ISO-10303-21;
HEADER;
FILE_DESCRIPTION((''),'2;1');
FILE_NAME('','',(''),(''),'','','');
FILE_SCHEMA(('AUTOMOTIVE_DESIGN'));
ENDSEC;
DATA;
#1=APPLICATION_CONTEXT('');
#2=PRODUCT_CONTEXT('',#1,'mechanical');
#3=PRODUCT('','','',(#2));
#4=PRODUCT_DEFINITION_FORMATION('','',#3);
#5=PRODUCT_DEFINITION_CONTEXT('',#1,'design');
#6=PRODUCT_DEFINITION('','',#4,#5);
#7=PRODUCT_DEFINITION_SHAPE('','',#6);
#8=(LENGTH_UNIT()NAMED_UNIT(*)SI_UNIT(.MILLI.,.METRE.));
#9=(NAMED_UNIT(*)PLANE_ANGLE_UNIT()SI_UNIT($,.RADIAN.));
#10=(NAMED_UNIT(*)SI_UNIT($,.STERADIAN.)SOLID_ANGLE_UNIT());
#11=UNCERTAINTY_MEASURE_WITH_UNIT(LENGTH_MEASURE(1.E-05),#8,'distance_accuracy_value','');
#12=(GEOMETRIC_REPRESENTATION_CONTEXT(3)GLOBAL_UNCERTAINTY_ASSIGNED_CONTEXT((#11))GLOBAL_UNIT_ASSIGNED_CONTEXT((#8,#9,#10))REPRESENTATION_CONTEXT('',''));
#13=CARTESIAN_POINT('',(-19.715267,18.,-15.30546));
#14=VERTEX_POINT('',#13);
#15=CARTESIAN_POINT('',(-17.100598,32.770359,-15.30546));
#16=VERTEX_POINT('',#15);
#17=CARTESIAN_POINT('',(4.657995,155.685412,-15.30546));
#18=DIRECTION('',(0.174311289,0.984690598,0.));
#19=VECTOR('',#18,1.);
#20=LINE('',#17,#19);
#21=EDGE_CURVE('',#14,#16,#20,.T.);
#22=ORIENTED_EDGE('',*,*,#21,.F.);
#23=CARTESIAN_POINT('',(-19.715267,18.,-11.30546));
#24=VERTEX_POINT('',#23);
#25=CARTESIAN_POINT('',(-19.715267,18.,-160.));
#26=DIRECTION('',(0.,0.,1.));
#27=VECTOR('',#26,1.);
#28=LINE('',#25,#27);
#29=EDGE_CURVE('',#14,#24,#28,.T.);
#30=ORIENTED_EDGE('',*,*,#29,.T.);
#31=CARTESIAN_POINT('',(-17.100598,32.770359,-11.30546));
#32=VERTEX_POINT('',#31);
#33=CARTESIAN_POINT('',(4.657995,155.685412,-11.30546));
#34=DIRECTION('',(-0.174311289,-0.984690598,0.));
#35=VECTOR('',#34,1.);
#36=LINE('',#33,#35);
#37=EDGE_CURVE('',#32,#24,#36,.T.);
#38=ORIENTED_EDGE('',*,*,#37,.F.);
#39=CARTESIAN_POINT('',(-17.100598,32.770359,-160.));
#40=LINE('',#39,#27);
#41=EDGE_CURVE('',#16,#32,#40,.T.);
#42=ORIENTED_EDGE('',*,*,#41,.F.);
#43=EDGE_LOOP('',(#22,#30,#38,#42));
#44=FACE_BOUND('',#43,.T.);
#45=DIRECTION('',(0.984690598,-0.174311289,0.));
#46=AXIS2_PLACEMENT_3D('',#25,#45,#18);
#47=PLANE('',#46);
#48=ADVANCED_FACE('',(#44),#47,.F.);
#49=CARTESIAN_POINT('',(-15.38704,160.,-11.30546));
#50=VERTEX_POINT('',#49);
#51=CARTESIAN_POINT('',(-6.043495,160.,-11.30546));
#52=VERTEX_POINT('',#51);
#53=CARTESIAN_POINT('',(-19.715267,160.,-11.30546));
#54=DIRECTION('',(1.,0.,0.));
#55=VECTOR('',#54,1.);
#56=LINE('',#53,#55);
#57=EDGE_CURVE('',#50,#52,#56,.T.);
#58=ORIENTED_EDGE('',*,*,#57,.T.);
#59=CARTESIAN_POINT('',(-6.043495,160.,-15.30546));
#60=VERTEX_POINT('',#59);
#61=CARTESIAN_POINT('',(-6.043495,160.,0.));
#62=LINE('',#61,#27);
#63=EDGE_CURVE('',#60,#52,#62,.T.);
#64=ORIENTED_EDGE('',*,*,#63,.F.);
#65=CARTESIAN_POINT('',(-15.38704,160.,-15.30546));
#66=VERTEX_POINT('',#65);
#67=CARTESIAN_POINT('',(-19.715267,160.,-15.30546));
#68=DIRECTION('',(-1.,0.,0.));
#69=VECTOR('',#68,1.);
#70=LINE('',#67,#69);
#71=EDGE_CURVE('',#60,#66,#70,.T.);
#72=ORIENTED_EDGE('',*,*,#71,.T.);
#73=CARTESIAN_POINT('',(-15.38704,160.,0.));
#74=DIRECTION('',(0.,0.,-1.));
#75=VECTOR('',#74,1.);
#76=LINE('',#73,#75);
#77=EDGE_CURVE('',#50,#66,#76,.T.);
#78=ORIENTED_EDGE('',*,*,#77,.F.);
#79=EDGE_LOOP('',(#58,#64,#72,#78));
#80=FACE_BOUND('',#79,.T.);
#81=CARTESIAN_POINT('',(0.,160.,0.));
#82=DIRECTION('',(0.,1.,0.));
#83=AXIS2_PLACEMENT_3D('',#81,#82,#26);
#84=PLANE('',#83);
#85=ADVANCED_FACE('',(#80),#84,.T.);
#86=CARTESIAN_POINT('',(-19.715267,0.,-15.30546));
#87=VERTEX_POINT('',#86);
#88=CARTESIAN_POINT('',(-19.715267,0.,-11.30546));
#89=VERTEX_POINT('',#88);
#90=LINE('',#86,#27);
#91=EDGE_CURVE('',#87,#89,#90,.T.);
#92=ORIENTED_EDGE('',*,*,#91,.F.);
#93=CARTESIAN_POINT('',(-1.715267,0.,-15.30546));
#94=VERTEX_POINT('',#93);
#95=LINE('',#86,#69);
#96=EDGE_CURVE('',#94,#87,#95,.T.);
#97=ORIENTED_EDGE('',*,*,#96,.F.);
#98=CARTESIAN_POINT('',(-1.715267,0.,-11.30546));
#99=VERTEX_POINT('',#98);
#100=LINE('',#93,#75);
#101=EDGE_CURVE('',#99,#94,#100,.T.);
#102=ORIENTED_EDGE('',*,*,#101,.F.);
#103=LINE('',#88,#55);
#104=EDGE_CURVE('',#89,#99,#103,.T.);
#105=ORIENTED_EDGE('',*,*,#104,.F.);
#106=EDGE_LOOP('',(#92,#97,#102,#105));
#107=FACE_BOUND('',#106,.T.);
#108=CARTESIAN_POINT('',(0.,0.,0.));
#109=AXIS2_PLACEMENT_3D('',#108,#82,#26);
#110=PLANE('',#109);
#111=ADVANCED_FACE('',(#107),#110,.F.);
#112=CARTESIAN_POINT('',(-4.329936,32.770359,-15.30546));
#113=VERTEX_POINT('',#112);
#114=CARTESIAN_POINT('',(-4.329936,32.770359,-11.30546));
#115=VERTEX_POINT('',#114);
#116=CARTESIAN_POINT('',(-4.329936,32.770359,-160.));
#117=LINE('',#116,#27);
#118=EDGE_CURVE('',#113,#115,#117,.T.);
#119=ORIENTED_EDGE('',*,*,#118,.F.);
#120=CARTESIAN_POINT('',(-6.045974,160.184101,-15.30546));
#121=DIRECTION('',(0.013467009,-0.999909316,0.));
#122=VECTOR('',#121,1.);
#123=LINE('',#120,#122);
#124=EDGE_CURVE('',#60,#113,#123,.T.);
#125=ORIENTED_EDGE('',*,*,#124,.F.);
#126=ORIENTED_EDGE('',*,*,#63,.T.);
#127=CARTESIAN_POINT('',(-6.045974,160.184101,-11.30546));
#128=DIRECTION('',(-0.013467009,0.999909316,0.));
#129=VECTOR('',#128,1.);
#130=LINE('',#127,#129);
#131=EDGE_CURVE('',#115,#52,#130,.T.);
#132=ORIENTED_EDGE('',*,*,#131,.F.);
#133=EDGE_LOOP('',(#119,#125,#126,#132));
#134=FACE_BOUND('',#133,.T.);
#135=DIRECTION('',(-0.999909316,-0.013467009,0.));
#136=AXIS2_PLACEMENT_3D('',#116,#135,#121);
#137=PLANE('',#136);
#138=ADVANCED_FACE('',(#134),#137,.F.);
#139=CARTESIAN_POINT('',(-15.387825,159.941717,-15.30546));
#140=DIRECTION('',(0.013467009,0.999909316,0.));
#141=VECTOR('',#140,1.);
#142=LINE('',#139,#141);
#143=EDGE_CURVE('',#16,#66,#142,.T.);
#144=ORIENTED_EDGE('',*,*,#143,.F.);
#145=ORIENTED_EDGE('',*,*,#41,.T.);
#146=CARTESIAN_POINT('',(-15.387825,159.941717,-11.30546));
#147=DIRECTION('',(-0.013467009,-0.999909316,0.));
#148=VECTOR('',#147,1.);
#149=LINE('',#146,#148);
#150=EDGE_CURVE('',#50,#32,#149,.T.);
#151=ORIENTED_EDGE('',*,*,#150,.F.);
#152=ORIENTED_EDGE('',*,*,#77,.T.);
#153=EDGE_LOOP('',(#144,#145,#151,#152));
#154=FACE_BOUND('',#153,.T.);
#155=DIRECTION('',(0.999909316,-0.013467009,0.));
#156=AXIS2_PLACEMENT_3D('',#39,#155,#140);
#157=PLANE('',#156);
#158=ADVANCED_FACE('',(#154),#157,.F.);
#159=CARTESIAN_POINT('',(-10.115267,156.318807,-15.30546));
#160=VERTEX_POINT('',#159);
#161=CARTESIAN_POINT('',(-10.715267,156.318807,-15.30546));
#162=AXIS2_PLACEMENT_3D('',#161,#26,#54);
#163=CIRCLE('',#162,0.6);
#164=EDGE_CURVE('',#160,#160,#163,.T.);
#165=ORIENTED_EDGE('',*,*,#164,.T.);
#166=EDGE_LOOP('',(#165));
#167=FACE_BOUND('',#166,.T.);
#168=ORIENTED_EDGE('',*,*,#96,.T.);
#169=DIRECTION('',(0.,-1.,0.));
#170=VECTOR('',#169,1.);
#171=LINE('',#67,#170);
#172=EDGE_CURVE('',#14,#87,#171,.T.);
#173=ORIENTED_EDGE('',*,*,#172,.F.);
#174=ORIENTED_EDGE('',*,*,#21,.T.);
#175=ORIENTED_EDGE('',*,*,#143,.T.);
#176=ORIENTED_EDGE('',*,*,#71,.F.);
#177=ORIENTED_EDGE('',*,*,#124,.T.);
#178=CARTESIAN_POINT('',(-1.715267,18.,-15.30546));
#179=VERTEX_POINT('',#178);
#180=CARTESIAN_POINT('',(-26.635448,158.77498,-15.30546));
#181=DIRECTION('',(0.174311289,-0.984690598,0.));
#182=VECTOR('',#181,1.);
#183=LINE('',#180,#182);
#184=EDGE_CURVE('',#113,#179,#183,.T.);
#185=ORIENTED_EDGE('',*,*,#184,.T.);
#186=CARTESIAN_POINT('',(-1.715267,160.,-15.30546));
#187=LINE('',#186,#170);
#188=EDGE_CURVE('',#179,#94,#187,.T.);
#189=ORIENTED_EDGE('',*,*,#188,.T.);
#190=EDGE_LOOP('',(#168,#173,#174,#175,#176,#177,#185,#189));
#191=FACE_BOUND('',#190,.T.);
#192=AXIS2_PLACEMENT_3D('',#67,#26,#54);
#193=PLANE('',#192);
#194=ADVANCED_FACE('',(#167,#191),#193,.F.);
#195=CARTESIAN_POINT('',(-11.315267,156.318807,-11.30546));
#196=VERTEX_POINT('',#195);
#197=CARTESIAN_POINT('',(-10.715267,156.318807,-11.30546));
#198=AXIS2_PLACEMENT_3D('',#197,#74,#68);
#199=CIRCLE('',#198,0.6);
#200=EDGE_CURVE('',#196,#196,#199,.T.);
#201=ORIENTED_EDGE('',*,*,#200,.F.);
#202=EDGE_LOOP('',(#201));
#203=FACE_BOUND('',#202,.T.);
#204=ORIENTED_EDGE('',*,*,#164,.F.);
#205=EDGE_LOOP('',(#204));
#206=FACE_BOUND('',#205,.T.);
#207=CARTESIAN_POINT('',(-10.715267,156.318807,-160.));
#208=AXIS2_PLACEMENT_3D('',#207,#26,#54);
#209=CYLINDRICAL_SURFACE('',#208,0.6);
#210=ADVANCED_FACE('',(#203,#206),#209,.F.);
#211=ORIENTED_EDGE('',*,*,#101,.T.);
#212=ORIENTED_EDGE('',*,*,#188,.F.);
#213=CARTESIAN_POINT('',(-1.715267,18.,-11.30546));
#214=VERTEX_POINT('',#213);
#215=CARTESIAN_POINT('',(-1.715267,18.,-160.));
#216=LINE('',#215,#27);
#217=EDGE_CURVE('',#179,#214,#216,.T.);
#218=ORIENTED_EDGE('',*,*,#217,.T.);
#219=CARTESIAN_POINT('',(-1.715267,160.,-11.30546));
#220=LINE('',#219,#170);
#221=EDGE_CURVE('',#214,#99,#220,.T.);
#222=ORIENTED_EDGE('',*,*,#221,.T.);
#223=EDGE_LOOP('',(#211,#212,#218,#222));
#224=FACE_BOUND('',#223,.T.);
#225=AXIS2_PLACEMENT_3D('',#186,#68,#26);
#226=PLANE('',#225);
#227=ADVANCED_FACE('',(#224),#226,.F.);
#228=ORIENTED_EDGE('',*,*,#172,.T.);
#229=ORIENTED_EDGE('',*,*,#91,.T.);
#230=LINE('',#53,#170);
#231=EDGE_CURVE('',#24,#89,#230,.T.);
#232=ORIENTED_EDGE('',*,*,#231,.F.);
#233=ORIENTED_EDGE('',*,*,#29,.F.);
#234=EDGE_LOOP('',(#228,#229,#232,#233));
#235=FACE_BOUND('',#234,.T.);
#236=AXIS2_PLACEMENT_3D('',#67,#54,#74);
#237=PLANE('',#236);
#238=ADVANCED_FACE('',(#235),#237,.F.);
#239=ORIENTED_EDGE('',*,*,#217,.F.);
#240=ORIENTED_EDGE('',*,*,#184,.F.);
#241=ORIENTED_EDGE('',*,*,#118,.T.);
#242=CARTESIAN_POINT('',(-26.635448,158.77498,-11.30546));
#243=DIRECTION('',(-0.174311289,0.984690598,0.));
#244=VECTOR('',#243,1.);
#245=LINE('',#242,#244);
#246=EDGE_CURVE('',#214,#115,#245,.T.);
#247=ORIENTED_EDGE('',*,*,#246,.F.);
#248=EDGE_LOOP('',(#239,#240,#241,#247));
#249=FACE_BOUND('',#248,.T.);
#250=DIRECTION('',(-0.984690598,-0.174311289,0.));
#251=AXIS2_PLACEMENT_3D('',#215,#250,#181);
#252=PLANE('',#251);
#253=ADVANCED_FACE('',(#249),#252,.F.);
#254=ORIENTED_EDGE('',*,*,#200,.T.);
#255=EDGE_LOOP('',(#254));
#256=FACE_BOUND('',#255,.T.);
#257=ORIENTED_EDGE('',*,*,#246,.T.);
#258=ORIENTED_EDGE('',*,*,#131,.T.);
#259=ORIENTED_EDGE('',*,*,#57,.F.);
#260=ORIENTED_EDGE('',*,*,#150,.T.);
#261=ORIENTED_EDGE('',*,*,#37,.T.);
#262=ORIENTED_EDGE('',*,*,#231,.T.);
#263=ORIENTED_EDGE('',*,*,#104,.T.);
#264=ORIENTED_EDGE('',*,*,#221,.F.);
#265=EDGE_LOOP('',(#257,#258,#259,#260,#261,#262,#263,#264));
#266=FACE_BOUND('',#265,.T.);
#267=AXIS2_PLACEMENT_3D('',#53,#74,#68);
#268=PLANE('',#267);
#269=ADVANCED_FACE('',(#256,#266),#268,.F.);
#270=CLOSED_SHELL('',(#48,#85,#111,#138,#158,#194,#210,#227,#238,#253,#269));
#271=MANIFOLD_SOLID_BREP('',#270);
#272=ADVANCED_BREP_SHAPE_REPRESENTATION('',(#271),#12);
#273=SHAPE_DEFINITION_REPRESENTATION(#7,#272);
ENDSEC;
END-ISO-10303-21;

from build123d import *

# Parameters (mm, degrees)
SKETCH1_W           = 18
SKETCH1_H           = 4
BOSS_EXTRUDE1_DEPTH = 160
CUT_EXTRUDE1_DEPTH  = 160
SKETCH4_R           = 0.6
CUT_EXTRUDE2_DEPTH  = 160


with BuildPart() as part:
    # Sketch1 → Boss-Extrude1 (new body)
    with BuildSketch(Plane(origin=(0, 0, 0), x_dir=(1, 0, 0), z_dir=(0, 1, 0))):
        with Locations((-10.71526709, 13.305460186)):
            Rectangle(SKETCH1_W, SKETCH1_H)
    extrude(amount=BOSS_EXTRUDE1_DEPTH)

    # Sketch2 → Cut-Extrude1 (cut)
    with BuildSketch(Plane.XY):
        Polygon((-19.71526709, 18), (-19.71526709, 160), (-15.387039625, 160), (-17.100597756, 32.770358976), align=None)
        Polygon((-4.329936424, 32.770358976), (-6.043494554, 160), (-1.71526709, 160), (-1.71526709, 18), align=None)
    extrude(amount=-CUT_EXTRUDE1_DEPTH, mode=Mode.SUBTRACT)

    # Sketch4 → Cut-Extrude2 (cut)
    with BuildSketch(Plane.XY):
        with Locations((-10.71526709, 156.318807469)):
            Circle(SKETCH4_R)
    extrude(amount=-CUT_EXTRUDE2_DEPTH, mode=Mode.SUBTRACT)


solid = part.part
